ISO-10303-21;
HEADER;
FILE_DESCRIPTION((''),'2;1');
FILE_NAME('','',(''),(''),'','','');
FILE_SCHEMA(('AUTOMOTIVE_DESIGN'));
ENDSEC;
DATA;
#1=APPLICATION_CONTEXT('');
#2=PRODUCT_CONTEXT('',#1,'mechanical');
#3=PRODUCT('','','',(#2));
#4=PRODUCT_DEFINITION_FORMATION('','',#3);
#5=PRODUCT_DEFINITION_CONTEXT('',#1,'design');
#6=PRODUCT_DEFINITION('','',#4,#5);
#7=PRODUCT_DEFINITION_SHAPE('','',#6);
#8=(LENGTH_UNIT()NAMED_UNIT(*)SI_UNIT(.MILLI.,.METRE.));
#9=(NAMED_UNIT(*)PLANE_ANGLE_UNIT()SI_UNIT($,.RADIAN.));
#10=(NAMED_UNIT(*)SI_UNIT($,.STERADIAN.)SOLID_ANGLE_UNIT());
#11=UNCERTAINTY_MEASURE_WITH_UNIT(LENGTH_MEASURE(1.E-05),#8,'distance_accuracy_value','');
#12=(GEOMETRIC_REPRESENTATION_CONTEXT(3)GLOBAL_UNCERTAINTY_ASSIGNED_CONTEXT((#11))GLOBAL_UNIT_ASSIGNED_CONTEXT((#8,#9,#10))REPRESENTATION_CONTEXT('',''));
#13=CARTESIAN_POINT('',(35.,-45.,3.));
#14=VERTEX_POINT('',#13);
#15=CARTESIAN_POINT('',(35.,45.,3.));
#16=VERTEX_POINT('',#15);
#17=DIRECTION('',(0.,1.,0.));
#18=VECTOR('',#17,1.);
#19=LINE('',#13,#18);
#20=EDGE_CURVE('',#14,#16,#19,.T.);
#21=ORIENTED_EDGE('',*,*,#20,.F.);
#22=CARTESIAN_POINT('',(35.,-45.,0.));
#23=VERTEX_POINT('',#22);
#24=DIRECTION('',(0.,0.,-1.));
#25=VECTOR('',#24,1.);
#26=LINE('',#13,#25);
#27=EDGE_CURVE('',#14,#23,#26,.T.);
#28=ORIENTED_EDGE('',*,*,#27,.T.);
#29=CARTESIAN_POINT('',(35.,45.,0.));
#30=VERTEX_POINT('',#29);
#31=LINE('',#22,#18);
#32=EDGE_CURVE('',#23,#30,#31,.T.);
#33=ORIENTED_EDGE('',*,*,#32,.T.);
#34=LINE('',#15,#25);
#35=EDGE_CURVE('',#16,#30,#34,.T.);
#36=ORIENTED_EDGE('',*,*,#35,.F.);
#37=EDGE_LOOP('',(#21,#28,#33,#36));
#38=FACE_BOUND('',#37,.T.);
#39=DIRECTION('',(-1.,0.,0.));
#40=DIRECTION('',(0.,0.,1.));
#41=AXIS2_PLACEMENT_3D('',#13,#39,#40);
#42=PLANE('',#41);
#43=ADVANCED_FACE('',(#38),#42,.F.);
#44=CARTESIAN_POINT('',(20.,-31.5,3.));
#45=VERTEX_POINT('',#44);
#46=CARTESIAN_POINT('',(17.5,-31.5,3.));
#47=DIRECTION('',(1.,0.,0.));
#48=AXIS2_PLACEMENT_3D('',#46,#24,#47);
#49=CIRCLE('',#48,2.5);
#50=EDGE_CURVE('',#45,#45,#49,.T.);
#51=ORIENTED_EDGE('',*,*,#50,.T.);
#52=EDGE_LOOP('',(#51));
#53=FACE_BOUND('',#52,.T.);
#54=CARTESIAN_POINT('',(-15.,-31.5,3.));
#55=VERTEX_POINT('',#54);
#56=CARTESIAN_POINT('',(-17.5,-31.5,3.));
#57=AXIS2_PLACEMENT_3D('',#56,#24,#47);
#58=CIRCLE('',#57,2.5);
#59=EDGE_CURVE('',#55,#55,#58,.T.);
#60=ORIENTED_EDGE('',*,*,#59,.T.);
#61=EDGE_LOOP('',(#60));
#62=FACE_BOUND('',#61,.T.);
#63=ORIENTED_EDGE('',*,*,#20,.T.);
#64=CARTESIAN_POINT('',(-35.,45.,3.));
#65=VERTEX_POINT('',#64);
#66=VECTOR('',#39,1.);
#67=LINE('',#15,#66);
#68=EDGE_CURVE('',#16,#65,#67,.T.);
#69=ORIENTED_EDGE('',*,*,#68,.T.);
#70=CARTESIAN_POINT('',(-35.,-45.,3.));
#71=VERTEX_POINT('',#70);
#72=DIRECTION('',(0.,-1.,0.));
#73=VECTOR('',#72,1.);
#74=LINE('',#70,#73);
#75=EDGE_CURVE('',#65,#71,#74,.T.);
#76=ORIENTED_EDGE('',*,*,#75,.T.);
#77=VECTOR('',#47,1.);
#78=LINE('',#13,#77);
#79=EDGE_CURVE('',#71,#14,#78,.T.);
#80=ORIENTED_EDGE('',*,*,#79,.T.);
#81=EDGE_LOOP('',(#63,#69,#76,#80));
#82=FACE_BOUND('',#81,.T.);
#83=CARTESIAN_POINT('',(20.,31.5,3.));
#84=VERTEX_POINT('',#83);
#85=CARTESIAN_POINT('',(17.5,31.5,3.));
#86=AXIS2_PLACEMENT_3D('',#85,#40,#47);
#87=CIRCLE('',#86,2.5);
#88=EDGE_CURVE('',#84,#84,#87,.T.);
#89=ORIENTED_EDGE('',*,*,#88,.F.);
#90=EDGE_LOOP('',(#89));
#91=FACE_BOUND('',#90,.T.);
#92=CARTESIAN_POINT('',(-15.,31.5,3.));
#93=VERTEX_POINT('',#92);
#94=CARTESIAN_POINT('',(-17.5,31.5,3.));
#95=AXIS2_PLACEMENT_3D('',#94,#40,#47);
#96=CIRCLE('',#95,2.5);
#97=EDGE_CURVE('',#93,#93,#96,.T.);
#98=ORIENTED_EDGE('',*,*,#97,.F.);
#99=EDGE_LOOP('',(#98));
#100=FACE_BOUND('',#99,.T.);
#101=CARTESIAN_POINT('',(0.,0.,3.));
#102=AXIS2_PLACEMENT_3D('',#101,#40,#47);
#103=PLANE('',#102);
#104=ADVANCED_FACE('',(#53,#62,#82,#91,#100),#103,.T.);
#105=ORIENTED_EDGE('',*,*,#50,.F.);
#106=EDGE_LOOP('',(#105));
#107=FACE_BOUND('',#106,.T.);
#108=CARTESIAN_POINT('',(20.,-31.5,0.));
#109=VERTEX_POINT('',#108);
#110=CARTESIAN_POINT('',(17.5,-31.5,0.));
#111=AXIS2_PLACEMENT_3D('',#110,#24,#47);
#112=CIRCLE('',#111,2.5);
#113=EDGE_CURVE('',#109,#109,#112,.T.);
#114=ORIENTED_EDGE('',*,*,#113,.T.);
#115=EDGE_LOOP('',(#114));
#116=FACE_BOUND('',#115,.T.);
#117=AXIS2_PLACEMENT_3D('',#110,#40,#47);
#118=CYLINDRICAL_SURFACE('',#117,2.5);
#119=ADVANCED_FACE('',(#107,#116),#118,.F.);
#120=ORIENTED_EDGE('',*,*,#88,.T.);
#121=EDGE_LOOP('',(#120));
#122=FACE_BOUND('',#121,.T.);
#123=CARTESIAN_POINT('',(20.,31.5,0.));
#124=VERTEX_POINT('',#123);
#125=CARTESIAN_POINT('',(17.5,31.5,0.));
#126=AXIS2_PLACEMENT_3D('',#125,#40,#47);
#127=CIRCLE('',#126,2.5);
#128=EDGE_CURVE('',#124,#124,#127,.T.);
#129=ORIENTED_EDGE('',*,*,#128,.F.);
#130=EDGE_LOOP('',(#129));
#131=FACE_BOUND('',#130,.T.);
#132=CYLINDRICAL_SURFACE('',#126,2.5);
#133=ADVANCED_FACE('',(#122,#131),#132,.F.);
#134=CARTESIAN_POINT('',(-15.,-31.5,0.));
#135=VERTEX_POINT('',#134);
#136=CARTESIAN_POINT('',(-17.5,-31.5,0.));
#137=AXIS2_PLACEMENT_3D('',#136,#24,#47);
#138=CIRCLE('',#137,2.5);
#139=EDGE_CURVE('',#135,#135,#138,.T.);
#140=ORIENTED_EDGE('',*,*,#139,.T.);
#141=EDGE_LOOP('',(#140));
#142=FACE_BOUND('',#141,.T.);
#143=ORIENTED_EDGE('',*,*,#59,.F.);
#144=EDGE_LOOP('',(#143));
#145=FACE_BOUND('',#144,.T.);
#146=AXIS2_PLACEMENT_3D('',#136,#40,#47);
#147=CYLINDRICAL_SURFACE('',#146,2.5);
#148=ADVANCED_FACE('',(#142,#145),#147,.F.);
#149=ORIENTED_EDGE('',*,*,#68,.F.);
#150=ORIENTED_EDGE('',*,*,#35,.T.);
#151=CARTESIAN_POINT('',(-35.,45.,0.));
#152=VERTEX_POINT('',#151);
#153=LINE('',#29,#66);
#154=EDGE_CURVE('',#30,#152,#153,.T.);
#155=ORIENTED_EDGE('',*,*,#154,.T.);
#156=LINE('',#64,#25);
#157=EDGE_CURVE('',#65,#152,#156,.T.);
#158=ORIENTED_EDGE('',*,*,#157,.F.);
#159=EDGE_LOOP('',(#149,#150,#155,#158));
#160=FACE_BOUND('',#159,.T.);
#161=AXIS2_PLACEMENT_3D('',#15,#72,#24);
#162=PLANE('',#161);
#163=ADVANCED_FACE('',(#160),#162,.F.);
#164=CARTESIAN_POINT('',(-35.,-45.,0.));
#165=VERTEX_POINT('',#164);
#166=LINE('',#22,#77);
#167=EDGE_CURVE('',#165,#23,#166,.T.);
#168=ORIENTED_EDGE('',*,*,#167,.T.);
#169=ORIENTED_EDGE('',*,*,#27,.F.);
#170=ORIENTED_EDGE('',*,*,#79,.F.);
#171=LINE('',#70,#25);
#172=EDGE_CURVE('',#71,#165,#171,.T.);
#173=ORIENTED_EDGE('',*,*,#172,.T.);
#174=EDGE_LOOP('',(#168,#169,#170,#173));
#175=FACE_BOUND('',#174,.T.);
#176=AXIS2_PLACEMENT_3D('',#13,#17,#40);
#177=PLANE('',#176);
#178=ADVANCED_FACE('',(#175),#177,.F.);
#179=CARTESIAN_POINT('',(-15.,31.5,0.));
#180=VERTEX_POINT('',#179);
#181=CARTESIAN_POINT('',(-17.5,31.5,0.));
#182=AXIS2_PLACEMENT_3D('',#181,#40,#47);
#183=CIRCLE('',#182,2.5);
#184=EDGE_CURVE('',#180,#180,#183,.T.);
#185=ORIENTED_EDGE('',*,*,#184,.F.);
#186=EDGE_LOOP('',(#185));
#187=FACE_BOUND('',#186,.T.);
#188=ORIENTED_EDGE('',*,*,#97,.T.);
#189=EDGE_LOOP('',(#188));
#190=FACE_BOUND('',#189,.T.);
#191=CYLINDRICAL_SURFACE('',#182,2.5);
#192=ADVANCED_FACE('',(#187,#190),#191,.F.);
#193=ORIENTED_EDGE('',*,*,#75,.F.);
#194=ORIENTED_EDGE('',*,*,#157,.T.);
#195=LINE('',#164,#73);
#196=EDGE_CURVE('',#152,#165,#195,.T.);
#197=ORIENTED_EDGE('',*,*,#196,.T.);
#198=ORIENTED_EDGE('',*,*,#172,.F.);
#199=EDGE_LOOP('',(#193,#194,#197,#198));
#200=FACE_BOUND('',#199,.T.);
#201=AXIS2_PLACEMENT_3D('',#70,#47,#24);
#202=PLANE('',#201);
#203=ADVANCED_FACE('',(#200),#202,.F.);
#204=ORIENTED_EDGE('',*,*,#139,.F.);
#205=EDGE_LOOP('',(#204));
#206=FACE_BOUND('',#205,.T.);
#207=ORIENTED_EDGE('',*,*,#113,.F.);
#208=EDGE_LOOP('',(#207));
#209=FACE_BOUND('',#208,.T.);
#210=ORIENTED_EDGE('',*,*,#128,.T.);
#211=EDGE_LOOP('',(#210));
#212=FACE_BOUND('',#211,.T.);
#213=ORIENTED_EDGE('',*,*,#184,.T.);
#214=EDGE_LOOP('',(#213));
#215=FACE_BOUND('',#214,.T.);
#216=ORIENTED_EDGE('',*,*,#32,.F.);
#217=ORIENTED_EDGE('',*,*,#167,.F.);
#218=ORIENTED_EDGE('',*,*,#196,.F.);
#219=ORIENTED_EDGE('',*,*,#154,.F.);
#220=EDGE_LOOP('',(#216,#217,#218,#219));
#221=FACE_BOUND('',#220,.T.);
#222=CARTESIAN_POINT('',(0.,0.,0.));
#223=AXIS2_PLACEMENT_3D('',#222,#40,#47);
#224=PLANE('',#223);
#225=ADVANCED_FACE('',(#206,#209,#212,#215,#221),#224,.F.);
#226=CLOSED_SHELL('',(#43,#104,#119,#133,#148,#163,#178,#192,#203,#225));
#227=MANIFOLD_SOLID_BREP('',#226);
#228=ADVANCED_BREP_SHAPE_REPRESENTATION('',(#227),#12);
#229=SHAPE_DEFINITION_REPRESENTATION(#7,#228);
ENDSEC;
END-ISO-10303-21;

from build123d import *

# Parameters (mm, degrees)
SKETCH1_W           = 70
SKETCH1_H           = 90
BOSS_EXTRUDE1_DEPTH = 3
SKETCH2_R           = 2.5
CUT_EXTRUDE1_DEPTH  = 58.087651905


with BuildPart() as part:
    # Sketch1 → Boss-Extrude1 (new body)
    with BuildSketch(Plane.XY):
        Rectangle(SKETCH1_W, SKETCH1_H)
    extrude(amount=BOSS_EXTRUDE1_DEPTH)

    # Sketch2 → Cut-Extrude1 (cut, through all)
    with BuildSketch(Plane.XY.offset(3)):
        with Locations((-17.5, 31.5)):
            Circle(SKETCH2_R)
        with Locations((17.5, 31.5)):
            Circle(SKETCH2_R)
    cut_extrude1 = extrude(amount=-CUT_EXTRUDE1_DEPTH, mode=Mode.SUBTRACT)

    # Mirror1: Cut-Extrude1 across plane
    add(cut_extrude1.mirror(Plane.ZX), mode=Mode.SUBTRACT)


solid = part.part
